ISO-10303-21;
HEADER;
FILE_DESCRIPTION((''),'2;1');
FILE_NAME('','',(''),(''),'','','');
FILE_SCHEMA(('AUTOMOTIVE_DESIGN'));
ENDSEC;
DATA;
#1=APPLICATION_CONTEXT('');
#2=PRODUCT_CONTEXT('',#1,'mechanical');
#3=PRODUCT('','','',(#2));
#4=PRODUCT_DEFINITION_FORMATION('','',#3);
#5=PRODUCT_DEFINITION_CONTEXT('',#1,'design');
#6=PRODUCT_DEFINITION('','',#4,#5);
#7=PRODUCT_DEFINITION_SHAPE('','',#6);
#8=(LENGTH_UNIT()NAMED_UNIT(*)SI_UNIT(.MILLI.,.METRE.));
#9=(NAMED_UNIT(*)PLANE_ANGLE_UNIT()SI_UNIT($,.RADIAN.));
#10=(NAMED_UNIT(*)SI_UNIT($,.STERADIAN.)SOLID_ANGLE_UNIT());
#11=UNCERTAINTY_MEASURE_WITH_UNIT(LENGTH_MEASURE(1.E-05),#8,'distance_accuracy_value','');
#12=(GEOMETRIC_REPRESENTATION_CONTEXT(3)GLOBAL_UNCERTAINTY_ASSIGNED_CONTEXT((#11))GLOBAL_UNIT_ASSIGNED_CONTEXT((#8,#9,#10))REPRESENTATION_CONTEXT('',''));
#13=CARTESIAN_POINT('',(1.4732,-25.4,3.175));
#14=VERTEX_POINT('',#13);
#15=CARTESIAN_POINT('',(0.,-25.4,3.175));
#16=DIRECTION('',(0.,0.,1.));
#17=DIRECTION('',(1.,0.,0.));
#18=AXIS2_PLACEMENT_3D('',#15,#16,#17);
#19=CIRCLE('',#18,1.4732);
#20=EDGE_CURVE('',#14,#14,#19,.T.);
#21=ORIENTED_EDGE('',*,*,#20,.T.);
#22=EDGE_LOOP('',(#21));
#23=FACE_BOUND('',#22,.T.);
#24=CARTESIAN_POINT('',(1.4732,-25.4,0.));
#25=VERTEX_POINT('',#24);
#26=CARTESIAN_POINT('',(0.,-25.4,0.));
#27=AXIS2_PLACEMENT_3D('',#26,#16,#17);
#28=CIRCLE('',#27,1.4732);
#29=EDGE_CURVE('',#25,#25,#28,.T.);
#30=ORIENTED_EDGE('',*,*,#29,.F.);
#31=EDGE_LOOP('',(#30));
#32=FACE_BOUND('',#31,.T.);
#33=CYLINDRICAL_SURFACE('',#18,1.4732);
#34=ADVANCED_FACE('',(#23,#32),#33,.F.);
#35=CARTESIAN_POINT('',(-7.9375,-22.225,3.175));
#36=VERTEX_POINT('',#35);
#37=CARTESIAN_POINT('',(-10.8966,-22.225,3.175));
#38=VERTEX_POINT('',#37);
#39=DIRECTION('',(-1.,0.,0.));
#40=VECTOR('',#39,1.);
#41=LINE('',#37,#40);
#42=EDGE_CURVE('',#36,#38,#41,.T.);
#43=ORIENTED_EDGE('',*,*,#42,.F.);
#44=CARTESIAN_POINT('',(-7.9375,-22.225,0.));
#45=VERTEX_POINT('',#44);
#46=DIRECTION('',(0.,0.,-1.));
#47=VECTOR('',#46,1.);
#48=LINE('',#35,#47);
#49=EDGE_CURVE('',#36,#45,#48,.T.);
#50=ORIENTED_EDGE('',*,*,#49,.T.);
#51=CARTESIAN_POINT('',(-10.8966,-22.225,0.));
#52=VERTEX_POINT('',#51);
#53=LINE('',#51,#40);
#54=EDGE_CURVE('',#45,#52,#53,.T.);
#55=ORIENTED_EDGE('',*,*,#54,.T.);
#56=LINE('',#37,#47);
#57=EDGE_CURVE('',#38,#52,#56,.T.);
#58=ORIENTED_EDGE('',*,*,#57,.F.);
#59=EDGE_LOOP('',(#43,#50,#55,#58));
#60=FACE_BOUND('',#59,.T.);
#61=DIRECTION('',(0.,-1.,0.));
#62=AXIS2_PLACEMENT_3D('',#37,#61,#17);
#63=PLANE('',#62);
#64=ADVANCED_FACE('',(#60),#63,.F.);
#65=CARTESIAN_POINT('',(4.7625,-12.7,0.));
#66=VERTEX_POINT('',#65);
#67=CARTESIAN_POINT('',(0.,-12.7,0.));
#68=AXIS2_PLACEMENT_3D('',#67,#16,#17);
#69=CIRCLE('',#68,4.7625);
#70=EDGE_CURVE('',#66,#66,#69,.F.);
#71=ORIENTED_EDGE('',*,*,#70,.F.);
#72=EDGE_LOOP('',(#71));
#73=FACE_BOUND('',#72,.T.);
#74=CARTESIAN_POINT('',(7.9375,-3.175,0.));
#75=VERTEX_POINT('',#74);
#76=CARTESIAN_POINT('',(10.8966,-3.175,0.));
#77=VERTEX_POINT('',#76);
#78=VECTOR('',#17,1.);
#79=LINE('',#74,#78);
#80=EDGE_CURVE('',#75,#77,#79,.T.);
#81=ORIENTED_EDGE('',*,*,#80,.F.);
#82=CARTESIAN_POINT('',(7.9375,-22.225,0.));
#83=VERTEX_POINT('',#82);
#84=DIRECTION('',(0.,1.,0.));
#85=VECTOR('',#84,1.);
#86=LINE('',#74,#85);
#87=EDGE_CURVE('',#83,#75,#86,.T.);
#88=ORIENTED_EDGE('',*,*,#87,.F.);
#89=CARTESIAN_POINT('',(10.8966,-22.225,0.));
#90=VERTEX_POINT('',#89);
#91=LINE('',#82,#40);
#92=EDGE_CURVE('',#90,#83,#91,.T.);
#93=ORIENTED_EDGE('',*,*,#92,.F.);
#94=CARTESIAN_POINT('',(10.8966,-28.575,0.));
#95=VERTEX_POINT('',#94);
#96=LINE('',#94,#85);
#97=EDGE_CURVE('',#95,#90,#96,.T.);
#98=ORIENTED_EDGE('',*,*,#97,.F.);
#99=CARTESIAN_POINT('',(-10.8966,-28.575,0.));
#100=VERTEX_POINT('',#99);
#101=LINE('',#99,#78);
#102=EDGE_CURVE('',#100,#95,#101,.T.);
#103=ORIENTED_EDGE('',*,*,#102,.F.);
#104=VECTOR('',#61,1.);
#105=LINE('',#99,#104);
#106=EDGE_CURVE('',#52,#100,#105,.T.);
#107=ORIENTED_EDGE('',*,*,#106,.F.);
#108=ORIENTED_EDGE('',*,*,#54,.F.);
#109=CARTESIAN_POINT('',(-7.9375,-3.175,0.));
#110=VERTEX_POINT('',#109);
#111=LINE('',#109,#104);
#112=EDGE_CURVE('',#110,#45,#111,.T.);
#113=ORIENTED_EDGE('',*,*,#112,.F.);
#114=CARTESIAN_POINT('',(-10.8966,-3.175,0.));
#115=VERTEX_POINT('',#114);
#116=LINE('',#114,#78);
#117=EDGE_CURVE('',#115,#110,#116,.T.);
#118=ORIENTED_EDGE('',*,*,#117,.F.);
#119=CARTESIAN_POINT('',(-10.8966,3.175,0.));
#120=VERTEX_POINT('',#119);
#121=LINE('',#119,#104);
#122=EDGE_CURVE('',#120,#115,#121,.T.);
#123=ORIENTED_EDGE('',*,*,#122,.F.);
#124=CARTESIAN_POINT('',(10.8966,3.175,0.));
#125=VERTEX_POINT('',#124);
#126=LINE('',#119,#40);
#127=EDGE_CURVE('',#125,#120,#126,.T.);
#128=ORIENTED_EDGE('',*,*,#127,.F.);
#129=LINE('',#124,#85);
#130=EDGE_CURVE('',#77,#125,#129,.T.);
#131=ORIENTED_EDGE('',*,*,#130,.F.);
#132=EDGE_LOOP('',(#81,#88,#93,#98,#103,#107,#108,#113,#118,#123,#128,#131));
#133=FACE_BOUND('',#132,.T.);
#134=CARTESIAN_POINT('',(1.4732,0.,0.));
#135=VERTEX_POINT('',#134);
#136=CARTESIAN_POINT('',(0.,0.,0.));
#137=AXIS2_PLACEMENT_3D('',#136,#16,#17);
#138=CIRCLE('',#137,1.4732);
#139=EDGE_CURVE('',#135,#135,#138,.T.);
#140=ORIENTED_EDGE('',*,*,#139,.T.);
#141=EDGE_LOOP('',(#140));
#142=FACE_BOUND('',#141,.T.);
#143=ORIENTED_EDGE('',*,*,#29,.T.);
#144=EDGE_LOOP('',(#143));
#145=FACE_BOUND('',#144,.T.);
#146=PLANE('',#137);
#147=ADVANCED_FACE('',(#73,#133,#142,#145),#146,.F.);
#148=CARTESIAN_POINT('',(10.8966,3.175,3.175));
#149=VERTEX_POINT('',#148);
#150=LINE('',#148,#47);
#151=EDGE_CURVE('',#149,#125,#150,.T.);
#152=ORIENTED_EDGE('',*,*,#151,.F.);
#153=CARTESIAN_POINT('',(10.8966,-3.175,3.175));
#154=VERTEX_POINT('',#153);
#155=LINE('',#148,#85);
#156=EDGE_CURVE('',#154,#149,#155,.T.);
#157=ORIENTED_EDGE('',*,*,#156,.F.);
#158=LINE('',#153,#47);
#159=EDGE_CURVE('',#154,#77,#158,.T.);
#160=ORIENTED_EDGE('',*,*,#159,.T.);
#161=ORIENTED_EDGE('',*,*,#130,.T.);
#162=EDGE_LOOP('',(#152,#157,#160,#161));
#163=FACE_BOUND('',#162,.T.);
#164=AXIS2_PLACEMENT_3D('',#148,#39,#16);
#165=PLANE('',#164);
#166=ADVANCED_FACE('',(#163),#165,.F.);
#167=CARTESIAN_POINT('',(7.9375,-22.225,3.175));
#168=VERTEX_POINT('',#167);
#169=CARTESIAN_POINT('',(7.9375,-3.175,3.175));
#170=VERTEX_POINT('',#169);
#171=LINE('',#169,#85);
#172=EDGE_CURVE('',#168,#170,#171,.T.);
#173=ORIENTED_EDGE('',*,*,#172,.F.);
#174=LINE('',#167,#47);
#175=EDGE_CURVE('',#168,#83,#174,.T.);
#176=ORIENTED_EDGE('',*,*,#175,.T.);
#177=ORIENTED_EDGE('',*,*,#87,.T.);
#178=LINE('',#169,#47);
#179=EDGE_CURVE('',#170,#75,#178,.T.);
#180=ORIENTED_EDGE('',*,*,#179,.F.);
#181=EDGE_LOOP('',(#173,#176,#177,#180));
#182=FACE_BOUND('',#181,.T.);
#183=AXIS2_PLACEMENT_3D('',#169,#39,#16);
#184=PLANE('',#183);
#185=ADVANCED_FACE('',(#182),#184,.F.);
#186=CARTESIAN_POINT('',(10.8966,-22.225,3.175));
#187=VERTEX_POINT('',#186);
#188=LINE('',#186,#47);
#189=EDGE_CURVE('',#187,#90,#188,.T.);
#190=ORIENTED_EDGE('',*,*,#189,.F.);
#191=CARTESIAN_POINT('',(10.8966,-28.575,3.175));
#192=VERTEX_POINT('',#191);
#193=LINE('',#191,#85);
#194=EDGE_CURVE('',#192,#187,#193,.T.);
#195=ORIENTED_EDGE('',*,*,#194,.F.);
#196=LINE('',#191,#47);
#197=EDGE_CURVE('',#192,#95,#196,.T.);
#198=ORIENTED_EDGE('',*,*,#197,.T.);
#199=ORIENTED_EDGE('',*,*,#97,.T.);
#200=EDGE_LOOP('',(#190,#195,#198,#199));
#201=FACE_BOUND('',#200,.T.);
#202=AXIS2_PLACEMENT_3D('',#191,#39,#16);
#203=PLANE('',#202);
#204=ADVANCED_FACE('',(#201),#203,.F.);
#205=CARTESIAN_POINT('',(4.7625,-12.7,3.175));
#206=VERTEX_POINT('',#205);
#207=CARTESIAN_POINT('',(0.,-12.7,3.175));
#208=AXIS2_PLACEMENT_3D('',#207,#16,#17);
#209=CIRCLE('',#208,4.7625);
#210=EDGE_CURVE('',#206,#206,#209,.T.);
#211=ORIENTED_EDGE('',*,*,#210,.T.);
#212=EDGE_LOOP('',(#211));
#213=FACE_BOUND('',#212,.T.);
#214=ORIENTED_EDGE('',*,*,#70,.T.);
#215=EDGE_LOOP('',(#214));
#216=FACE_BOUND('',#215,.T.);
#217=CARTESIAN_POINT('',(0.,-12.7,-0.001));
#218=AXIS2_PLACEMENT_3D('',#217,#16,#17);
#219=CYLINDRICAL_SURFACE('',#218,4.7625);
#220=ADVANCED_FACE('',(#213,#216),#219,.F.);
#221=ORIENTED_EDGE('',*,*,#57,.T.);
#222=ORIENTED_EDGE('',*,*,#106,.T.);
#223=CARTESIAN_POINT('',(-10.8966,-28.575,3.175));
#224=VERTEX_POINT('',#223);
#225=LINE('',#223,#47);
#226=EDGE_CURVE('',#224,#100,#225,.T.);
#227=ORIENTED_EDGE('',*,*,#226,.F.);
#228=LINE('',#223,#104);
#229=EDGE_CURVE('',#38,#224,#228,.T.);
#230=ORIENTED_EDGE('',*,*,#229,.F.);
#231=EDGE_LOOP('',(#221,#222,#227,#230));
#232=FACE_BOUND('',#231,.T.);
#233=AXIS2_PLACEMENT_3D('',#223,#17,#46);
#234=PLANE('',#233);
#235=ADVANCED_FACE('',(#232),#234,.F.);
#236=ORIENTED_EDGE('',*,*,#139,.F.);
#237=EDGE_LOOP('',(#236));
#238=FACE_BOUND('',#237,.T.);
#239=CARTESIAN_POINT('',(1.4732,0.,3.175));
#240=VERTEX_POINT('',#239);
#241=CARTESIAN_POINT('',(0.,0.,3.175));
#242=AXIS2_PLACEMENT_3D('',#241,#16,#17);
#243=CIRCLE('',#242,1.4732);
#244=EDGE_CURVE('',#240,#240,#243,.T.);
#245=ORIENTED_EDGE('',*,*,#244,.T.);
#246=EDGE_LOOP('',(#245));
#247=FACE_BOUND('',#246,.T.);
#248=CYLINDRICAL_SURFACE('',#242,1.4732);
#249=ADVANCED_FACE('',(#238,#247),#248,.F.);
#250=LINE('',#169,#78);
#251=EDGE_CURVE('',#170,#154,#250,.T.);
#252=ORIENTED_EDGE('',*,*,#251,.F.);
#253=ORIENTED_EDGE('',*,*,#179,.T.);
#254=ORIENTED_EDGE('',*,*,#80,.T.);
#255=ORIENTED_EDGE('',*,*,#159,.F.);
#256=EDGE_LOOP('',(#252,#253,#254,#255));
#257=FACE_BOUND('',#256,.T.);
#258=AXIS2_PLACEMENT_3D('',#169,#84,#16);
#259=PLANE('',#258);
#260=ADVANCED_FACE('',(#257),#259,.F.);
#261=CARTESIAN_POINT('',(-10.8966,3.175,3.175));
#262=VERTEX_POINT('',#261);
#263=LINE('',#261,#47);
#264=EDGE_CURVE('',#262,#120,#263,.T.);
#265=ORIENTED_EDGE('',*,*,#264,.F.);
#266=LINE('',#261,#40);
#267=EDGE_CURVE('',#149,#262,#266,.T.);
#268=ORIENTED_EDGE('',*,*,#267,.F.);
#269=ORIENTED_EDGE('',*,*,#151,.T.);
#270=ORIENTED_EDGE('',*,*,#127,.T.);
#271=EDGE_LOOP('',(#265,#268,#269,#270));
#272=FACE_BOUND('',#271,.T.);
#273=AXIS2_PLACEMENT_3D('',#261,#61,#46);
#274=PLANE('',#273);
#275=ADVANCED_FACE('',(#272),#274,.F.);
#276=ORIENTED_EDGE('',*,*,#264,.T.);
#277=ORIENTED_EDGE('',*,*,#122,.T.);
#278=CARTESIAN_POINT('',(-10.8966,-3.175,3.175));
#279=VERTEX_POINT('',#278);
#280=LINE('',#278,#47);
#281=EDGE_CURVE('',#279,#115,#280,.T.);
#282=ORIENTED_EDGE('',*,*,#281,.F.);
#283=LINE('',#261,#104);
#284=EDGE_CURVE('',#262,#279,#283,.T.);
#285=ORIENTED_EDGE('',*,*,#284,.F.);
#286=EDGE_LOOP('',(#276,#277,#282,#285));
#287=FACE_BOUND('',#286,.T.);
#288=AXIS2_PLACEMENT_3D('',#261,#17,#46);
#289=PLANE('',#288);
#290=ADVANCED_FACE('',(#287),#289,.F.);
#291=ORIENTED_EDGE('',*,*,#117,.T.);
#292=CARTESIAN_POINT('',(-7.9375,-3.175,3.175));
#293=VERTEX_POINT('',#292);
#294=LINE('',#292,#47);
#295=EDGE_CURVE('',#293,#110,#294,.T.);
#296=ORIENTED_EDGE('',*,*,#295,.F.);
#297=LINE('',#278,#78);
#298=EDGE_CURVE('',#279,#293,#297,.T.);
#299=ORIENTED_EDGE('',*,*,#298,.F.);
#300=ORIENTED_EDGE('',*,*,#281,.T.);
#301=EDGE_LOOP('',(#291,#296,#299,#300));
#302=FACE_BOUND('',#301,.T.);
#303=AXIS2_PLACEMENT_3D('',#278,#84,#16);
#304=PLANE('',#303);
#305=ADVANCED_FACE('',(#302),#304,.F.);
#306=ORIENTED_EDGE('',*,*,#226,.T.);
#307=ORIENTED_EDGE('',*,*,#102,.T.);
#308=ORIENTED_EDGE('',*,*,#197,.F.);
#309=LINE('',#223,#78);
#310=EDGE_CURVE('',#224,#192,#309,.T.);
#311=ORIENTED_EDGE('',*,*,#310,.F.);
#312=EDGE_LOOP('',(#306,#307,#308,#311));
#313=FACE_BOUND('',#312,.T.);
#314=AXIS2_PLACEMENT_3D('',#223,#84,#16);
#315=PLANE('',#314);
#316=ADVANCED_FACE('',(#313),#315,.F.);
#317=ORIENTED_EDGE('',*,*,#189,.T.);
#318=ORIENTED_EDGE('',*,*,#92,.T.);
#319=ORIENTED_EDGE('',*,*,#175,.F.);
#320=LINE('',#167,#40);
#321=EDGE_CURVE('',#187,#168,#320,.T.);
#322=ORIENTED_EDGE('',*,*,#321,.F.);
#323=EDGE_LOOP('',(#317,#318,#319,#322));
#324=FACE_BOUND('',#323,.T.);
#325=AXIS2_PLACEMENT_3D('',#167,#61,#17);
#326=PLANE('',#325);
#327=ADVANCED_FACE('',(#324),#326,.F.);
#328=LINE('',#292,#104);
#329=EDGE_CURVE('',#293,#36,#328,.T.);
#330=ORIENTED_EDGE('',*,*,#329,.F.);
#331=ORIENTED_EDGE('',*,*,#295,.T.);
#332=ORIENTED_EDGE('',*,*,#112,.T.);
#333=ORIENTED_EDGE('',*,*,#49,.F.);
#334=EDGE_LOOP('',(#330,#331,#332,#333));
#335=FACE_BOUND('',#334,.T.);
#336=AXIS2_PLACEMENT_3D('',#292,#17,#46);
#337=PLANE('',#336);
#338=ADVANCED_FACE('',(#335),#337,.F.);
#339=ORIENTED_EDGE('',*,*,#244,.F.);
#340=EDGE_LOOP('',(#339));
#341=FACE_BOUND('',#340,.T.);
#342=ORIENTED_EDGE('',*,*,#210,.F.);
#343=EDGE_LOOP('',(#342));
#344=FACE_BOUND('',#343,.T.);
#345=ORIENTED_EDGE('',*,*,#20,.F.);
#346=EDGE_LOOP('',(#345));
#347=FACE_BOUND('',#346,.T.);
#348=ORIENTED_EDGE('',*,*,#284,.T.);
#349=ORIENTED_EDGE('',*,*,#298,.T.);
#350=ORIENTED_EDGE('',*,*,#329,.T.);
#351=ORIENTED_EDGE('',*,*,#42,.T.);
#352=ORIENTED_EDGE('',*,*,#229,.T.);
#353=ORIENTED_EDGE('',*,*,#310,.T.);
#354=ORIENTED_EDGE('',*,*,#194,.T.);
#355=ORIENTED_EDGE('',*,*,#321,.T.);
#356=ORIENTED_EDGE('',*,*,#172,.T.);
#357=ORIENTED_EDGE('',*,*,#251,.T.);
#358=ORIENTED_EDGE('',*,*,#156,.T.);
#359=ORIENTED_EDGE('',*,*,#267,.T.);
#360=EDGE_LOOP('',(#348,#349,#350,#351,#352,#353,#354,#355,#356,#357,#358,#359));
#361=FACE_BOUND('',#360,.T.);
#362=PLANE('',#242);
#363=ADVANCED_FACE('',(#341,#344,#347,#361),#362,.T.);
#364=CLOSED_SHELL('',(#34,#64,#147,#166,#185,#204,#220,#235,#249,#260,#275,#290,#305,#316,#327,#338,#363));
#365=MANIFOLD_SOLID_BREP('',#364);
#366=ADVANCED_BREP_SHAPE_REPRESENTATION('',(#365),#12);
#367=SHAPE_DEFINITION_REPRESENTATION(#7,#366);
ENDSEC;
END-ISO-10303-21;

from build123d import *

# Parameters (mm, degrees)
BOSS_EXTRUDE1_DEPTH       = 3.175
F_4_CLEARANCE_HOLE1_D     = 2.9464
F_4_CLEARANCE_HOLE1_DEPTH = 3.302
F_4_CLEARANCE_HOLE1_TIP   = 0.885187864
CUT_EXTRUDE1_REACH        = 5.175
SKETCH4_R                 = 4.7625


with BuildPart() as part:
    # Sketch1 → Boss-Extrude1 (new body)
    with BuildSketch(Plane.XY):
        Polygon((7.9375, -3.175), (10.8966, -3.175), (10.8966, 3.175), (-10.8966, 3.175), (-10.8966, -3.175), (-7.9375, -3.175), (-7.9375, -22.225), (-10.8966, -22.225), (-10.8966, -28.575), (10.8966, -28.575), (10.8966, -22.225), (7.9375, -22.225), align=None)
    extrude(amount=BOSS_EXTRUDE1_DEPTH)

    # #4 Clearance Hole1
    with Locations(Plane.XY.offset(3.175)):
        with Locations((0, 0), (0, -25.4)):
            Hole(F_4_CLEARANCE_HOLE1_D / 2, depth=F_4_CLEARANCE_HOLE1_DEPTH)
            with Locations((0, 0, -(F_4_CLEARANCE_HOLE1_DEPTH + F_4_CLEARANCE_HOLE1_TIP / 2))):  # 118° drill point
                Cone(0, F_4_CLEARANCE_HOLE1_D / 2, F_4_CLEARANCE_HOLE1_TIP, mode=Mode.SUBTRACT)

    # Sketch4 → Cut-Extrude1 (cut, up to next)
    with BuildSketch(Plane.XY.offset(3.175), mode=Mode.PRIVATE) as cut_extrude1_sk1:
        with Locations((0, -12.7)):
            Circle(SKETCH4_R)
    cut_extrude1_tool1 = extrude(cut_extrude1_sk1.sketch, amount=-CUT_EXTRUDE1_REACH, mode=Mode.PRIVATE) & part.part
    add(cut_extrude1_tool1.solids().sort_by_distance((0, -12.7, 3.175))[0], mode=Mode.SUBTRACT)


solid = part.part
